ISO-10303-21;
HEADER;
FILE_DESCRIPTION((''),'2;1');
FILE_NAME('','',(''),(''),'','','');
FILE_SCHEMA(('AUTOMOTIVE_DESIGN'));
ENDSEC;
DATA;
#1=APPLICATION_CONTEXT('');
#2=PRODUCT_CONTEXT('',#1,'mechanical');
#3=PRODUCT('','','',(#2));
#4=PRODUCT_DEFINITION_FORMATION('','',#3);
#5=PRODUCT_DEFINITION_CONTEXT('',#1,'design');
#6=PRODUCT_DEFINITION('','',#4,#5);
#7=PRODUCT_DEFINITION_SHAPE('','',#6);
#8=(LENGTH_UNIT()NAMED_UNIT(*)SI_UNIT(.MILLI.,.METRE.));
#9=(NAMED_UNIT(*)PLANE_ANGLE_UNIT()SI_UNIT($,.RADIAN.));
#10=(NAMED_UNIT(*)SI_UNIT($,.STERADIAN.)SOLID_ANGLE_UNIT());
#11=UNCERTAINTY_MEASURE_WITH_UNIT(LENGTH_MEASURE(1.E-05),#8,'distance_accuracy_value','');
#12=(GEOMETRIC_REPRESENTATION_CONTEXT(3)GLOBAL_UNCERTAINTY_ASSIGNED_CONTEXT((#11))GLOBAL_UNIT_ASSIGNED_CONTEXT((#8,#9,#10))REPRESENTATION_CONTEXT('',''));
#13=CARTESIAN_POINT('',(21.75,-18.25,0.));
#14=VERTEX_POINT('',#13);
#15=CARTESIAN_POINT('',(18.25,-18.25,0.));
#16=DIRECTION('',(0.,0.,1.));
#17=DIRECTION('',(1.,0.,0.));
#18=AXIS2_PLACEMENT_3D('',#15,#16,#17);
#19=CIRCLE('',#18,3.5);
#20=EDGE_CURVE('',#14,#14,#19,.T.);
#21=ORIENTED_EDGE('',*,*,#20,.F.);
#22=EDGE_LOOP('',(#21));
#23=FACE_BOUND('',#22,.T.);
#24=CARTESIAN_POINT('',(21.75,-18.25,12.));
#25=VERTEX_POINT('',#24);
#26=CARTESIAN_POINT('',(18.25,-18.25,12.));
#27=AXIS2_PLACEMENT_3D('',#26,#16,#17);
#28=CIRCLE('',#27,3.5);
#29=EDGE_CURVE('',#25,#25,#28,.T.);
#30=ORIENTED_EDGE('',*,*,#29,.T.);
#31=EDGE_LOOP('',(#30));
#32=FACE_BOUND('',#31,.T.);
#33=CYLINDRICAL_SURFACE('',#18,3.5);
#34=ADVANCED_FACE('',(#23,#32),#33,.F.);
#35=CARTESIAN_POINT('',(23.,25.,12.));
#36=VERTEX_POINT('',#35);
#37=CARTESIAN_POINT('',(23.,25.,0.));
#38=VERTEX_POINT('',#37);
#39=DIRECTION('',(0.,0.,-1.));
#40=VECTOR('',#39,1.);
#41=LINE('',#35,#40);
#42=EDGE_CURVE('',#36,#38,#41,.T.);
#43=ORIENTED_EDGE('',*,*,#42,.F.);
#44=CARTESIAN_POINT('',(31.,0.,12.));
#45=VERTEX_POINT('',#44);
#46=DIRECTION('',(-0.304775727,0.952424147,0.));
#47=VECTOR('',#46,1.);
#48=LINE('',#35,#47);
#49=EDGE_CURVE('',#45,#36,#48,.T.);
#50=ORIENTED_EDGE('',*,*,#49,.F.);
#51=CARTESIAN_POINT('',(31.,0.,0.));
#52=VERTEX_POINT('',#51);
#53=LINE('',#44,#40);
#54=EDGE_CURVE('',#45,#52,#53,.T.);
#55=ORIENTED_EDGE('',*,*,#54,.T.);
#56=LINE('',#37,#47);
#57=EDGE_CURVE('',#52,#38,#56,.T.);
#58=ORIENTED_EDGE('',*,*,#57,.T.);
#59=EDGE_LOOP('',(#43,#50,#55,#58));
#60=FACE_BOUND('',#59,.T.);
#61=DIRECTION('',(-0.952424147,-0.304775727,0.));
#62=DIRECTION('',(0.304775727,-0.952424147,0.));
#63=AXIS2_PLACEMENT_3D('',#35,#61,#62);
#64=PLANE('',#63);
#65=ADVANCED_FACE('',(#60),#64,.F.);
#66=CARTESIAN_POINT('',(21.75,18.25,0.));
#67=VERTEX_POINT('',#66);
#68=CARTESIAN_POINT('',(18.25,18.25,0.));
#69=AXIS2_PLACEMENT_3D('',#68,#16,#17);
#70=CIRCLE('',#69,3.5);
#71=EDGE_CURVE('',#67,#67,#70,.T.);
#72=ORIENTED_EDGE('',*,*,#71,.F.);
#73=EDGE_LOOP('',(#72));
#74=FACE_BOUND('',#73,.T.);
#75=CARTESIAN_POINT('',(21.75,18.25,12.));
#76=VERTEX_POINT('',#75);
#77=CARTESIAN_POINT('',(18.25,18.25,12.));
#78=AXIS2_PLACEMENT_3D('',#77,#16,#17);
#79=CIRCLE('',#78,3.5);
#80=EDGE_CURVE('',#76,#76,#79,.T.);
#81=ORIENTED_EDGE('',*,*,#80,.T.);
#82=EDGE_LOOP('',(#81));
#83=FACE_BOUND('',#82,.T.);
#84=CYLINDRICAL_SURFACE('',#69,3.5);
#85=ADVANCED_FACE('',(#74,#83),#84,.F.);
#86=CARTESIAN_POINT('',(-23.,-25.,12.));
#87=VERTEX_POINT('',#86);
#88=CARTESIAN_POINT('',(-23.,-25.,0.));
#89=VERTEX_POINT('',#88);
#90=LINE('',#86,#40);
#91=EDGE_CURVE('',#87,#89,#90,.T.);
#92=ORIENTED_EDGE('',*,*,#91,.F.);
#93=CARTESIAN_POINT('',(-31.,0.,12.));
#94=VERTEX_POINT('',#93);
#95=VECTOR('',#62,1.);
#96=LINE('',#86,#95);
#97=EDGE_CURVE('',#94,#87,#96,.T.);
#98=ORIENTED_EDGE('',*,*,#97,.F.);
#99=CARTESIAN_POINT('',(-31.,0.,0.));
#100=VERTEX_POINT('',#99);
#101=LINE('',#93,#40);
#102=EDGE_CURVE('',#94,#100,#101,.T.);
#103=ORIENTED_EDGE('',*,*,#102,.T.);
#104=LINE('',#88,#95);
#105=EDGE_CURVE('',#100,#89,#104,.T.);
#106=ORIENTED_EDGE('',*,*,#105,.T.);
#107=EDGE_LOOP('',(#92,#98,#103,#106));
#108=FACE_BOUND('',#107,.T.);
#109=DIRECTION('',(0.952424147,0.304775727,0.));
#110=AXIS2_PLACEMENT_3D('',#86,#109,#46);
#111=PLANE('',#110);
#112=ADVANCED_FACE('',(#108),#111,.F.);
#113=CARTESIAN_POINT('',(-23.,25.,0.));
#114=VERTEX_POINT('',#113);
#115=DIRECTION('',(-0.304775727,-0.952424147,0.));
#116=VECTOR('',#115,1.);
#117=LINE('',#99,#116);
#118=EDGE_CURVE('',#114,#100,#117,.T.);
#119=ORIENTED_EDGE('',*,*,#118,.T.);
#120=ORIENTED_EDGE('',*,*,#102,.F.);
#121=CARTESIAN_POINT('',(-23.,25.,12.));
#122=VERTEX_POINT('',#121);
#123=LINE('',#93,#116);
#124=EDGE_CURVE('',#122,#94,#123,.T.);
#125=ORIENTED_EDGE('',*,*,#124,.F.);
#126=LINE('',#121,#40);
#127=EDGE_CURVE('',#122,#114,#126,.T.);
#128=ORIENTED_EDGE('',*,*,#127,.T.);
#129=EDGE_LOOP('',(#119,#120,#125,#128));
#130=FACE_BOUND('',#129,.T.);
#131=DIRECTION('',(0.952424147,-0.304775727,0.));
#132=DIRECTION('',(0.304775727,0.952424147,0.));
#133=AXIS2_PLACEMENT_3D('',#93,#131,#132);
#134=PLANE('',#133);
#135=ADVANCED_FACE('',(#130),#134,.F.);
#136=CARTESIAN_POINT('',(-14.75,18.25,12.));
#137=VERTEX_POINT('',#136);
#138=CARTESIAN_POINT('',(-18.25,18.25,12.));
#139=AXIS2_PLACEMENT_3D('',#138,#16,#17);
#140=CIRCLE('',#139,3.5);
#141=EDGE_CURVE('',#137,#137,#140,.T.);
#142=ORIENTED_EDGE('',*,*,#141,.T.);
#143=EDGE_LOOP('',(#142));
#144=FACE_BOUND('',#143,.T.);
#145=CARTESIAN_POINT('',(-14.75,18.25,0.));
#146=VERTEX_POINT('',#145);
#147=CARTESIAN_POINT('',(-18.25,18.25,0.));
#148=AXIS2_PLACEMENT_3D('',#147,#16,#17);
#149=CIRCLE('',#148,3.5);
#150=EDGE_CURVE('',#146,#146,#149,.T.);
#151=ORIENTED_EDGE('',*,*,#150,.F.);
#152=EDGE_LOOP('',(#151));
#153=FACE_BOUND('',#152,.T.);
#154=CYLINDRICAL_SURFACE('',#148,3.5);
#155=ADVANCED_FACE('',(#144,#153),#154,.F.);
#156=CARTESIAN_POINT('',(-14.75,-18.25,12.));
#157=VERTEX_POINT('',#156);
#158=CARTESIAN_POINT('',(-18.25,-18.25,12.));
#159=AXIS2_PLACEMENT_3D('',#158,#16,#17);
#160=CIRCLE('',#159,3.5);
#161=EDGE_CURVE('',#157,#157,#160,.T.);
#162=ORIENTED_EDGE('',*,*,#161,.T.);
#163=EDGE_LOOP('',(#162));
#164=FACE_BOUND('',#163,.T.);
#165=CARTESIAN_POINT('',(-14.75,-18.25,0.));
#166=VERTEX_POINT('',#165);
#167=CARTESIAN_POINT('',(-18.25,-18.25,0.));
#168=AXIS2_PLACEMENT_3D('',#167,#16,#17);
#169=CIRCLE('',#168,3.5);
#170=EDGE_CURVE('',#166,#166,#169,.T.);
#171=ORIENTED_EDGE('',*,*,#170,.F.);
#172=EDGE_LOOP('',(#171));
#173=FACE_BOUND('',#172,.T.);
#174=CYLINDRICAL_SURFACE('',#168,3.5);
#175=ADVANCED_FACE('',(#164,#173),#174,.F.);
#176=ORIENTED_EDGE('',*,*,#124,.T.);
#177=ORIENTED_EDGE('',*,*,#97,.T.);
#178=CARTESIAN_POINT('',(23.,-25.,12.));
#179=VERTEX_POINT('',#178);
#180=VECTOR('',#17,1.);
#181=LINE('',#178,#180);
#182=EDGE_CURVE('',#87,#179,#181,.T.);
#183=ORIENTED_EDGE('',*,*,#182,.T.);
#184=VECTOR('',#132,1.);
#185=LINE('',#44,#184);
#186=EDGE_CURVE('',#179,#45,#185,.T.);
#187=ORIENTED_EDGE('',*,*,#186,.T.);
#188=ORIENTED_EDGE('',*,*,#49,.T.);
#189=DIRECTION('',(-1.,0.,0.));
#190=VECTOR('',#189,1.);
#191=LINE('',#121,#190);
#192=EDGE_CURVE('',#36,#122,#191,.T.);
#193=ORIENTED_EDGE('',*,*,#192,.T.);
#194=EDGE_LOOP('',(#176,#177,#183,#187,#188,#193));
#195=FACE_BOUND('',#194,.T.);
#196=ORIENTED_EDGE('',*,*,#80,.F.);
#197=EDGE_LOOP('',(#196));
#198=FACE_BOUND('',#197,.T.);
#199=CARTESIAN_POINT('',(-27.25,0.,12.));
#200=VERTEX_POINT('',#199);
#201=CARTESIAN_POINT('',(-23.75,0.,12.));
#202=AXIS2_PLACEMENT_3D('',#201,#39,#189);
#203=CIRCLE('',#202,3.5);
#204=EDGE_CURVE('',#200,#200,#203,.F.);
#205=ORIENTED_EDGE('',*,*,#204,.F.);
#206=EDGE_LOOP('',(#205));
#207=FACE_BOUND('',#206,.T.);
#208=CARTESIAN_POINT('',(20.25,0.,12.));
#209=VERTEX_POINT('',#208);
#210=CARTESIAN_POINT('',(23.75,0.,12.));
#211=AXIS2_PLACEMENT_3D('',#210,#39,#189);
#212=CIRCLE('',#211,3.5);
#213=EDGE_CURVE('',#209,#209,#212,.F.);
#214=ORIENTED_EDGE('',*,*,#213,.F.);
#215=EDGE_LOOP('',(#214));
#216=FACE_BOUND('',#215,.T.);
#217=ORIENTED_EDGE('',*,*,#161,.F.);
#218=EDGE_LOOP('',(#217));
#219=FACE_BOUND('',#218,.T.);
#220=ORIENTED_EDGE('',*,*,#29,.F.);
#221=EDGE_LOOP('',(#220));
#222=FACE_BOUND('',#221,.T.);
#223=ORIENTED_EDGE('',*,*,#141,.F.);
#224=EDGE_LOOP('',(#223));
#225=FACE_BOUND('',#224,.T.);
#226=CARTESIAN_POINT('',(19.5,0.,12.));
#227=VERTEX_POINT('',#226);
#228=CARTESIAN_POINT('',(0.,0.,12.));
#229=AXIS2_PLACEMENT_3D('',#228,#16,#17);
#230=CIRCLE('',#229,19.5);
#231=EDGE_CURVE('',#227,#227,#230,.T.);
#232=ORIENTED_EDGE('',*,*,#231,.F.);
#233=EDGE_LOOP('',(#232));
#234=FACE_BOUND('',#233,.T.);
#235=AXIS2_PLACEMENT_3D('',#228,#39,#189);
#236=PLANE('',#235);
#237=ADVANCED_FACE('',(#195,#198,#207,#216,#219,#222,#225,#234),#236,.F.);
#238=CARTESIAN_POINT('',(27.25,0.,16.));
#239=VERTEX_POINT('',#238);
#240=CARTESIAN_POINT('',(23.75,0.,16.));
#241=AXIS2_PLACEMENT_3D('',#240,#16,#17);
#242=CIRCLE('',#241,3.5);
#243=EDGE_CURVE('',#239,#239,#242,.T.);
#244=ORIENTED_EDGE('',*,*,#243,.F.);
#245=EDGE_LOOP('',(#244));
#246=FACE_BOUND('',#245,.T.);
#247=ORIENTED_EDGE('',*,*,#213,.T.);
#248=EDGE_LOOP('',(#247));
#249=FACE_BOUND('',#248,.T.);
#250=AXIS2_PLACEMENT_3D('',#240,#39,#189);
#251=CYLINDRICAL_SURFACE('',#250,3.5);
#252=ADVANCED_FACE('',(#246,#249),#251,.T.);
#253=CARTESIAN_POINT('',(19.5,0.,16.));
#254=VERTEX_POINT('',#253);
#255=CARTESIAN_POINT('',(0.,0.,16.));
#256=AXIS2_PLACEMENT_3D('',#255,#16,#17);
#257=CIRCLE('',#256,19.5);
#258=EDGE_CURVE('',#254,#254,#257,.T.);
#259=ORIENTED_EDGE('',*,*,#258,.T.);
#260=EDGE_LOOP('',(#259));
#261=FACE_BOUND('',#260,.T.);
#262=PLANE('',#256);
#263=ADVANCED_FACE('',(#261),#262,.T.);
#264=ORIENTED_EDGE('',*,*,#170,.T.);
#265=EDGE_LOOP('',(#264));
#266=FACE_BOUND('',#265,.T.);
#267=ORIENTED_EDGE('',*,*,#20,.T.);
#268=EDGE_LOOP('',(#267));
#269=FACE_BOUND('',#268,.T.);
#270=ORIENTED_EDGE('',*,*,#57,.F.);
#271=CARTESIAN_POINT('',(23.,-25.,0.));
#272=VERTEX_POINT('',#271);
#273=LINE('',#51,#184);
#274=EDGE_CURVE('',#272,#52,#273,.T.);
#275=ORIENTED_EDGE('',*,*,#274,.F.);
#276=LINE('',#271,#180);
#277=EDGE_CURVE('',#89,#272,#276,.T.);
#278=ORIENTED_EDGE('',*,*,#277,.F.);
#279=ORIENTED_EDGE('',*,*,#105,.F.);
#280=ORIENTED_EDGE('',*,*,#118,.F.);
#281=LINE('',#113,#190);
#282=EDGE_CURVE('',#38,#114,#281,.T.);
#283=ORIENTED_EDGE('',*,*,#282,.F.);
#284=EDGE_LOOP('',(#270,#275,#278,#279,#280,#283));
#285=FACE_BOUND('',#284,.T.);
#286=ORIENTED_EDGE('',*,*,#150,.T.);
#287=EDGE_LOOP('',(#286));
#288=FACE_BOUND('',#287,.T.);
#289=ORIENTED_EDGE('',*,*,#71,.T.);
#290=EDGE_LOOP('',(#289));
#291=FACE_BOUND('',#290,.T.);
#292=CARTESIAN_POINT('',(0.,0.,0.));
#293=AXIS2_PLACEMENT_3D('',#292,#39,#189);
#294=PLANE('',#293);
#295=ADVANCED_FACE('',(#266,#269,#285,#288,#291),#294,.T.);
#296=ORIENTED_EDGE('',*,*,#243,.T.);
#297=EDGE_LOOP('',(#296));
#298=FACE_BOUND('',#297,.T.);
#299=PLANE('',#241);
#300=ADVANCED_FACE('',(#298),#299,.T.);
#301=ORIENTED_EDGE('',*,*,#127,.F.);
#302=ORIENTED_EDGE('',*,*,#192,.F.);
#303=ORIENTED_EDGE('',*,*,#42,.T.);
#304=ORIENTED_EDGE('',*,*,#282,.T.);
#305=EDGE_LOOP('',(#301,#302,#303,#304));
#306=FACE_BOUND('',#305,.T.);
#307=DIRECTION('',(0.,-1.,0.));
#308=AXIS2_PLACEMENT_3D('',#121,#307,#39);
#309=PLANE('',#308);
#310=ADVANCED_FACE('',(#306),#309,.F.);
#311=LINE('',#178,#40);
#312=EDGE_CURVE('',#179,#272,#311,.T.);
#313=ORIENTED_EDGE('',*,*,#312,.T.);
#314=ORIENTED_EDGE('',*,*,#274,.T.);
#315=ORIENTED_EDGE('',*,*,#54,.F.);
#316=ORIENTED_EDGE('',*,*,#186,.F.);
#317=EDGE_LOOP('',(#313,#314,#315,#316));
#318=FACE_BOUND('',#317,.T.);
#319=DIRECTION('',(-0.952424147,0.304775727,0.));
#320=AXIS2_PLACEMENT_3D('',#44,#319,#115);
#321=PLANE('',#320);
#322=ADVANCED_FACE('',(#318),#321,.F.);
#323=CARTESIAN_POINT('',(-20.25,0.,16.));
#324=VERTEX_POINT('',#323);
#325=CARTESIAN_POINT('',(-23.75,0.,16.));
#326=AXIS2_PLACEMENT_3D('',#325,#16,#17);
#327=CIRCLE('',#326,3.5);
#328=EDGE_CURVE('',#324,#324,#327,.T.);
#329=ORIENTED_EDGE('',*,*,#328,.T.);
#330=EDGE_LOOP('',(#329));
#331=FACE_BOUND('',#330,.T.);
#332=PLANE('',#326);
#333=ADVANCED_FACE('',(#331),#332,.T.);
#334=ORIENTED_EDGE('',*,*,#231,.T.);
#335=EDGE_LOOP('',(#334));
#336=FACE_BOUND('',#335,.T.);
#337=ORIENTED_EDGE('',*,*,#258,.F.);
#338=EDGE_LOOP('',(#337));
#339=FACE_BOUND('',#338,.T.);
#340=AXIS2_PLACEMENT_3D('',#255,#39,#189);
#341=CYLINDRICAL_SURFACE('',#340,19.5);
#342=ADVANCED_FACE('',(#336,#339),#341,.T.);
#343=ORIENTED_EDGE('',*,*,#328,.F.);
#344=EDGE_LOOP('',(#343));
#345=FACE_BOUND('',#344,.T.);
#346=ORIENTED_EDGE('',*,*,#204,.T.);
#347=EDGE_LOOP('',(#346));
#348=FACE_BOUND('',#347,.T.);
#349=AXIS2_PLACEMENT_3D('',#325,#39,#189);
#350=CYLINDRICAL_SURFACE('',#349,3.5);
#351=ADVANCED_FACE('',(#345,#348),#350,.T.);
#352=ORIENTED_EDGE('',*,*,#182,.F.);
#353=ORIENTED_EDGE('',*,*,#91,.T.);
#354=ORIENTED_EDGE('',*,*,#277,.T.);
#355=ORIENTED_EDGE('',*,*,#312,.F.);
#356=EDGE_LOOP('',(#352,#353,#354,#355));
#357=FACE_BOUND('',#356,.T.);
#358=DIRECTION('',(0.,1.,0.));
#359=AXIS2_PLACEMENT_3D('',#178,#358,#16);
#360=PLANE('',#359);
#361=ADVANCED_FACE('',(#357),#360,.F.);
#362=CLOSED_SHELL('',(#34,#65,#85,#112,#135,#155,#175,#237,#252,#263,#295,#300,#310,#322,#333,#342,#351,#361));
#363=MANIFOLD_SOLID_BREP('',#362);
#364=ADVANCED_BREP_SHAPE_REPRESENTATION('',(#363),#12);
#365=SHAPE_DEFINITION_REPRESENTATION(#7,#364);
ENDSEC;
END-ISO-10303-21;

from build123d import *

# Parameters (mm, degrees)
BOSS_EXTRUDE1_DEPTH = 12
SKETCH2_R           = 19.5
SKETCH2_R_2         = 3.5
BOSS_EXTRUDE2_DEPTH = 4
SKETCH3_R           = 3.5
CUT_EXTRUDE1_DEPTH  = 12


with BuildPart() as part:
    # Sketch1 → Boss-Extrude1 (new body)
    with BuildSketch(Plane.XY):
        Polygon((-23, 25), (23, 25), (31, 0), (23, -25), (-23, -25), (-31, 0), align=None)
    extrude(amount=BOSS_EXTRUDE1_DEPTH)

    # Sketch2 → Boss-Extrude2 (add)
    with BuildSketch(Plane.XY.offset(12)):
        Circle(SKETCH2_R)
        with Locations((23.75, 0)):
            Circle(SKETCH2_R_2)
        with Locations((-23.75, 0)):
            Circle(SKETCH2_R_2)
    extrude(amount=BOSS_EXTRUDE2_DEPTH)

    # Sketch3 → Cut-Extrude1 (cut)
    with BuildSketch(Plane.XY.offset(12)):
        with Locations((18.25, 18.25)):
            Circle(SKETCH3_R)
        with Locations((18.25, -18.25)):
            Circle(SKETCH3_R)
        with Locations((-18.25, -18.25)):
            Circle(SKETCH3_R)
        with Locations((-18.25, 18.25)):
            Circle(SKETCH3_R)
    extrude(amount=-CUT_EXTRUDE1_DEPTH, mode=Mode.SUBTRACT)


solid = part.part
